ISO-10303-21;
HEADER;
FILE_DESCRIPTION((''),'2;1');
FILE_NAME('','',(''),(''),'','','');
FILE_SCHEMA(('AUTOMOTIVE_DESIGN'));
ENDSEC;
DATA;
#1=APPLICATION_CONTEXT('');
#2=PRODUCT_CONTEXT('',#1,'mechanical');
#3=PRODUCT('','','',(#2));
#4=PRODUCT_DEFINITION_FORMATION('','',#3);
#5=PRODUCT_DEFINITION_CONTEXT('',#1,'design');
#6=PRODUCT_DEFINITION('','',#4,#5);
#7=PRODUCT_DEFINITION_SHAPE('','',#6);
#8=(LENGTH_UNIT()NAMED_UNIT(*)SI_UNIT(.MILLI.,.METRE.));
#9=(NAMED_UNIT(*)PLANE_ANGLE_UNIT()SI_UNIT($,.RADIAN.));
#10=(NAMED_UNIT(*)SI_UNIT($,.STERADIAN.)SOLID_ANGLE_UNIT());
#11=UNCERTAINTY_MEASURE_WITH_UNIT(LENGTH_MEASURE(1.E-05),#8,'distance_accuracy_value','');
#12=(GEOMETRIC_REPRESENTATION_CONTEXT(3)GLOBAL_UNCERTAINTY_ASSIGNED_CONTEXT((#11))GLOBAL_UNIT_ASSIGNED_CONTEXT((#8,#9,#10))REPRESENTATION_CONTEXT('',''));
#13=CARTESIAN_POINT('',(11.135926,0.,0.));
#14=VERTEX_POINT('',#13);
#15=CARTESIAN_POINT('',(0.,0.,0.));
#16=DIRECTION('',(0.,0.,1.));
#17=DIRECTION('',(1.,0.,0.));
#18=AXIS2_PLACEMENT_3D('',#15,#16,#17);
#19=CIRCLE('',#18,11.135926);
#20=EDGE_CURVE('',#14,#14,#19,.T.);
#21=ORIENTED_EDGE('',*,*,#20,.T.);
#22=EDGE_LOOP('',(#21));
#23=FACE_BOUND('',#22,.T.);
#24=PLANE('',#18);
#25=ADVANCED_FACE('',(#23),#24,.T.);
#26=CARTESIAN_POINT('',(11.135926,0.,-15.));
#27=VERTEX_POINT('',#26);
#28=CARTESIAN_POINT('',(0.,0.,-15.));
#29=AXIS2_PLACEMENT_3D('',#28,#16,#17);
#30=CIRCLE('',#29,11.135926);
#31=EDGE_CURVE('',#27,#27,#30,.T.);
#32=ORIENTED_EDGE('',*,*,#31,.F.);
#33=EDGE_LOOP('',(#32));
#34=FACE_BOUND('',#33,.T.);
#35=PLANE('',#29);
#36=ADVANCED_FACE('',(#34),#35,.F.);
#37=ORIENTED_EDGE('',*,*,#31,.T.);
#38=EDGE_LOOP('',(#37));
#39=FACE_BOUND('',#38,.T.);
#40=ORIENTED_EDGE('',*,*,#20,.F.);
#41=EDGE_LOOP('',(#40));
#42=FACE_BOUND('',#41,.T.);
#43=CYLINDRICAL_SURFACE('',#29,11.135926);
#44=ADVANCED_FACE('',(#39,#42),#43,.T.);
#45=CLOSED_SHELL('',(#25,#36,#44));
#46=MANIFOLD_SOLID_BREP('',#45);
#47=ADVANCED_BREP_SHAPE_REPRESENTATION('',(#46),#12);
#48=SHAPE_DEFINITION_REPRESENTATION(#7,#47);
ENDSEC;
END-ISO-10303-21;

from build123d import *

# Parameters (mm, degrees)
SKETCH1_R           = 11.135926422
BOSS_EXTRUDE1_DEPTH = 15


with BuildPart() as part:
    # Sketch1 → Boss-Extrude1 (new body)
    with BuildSketch(Plane.XY):
        Circle(SKETCH1_R)
    extrude(amount=-BOSS_EXTRUDE1_DEPTH)


solid = part.part
